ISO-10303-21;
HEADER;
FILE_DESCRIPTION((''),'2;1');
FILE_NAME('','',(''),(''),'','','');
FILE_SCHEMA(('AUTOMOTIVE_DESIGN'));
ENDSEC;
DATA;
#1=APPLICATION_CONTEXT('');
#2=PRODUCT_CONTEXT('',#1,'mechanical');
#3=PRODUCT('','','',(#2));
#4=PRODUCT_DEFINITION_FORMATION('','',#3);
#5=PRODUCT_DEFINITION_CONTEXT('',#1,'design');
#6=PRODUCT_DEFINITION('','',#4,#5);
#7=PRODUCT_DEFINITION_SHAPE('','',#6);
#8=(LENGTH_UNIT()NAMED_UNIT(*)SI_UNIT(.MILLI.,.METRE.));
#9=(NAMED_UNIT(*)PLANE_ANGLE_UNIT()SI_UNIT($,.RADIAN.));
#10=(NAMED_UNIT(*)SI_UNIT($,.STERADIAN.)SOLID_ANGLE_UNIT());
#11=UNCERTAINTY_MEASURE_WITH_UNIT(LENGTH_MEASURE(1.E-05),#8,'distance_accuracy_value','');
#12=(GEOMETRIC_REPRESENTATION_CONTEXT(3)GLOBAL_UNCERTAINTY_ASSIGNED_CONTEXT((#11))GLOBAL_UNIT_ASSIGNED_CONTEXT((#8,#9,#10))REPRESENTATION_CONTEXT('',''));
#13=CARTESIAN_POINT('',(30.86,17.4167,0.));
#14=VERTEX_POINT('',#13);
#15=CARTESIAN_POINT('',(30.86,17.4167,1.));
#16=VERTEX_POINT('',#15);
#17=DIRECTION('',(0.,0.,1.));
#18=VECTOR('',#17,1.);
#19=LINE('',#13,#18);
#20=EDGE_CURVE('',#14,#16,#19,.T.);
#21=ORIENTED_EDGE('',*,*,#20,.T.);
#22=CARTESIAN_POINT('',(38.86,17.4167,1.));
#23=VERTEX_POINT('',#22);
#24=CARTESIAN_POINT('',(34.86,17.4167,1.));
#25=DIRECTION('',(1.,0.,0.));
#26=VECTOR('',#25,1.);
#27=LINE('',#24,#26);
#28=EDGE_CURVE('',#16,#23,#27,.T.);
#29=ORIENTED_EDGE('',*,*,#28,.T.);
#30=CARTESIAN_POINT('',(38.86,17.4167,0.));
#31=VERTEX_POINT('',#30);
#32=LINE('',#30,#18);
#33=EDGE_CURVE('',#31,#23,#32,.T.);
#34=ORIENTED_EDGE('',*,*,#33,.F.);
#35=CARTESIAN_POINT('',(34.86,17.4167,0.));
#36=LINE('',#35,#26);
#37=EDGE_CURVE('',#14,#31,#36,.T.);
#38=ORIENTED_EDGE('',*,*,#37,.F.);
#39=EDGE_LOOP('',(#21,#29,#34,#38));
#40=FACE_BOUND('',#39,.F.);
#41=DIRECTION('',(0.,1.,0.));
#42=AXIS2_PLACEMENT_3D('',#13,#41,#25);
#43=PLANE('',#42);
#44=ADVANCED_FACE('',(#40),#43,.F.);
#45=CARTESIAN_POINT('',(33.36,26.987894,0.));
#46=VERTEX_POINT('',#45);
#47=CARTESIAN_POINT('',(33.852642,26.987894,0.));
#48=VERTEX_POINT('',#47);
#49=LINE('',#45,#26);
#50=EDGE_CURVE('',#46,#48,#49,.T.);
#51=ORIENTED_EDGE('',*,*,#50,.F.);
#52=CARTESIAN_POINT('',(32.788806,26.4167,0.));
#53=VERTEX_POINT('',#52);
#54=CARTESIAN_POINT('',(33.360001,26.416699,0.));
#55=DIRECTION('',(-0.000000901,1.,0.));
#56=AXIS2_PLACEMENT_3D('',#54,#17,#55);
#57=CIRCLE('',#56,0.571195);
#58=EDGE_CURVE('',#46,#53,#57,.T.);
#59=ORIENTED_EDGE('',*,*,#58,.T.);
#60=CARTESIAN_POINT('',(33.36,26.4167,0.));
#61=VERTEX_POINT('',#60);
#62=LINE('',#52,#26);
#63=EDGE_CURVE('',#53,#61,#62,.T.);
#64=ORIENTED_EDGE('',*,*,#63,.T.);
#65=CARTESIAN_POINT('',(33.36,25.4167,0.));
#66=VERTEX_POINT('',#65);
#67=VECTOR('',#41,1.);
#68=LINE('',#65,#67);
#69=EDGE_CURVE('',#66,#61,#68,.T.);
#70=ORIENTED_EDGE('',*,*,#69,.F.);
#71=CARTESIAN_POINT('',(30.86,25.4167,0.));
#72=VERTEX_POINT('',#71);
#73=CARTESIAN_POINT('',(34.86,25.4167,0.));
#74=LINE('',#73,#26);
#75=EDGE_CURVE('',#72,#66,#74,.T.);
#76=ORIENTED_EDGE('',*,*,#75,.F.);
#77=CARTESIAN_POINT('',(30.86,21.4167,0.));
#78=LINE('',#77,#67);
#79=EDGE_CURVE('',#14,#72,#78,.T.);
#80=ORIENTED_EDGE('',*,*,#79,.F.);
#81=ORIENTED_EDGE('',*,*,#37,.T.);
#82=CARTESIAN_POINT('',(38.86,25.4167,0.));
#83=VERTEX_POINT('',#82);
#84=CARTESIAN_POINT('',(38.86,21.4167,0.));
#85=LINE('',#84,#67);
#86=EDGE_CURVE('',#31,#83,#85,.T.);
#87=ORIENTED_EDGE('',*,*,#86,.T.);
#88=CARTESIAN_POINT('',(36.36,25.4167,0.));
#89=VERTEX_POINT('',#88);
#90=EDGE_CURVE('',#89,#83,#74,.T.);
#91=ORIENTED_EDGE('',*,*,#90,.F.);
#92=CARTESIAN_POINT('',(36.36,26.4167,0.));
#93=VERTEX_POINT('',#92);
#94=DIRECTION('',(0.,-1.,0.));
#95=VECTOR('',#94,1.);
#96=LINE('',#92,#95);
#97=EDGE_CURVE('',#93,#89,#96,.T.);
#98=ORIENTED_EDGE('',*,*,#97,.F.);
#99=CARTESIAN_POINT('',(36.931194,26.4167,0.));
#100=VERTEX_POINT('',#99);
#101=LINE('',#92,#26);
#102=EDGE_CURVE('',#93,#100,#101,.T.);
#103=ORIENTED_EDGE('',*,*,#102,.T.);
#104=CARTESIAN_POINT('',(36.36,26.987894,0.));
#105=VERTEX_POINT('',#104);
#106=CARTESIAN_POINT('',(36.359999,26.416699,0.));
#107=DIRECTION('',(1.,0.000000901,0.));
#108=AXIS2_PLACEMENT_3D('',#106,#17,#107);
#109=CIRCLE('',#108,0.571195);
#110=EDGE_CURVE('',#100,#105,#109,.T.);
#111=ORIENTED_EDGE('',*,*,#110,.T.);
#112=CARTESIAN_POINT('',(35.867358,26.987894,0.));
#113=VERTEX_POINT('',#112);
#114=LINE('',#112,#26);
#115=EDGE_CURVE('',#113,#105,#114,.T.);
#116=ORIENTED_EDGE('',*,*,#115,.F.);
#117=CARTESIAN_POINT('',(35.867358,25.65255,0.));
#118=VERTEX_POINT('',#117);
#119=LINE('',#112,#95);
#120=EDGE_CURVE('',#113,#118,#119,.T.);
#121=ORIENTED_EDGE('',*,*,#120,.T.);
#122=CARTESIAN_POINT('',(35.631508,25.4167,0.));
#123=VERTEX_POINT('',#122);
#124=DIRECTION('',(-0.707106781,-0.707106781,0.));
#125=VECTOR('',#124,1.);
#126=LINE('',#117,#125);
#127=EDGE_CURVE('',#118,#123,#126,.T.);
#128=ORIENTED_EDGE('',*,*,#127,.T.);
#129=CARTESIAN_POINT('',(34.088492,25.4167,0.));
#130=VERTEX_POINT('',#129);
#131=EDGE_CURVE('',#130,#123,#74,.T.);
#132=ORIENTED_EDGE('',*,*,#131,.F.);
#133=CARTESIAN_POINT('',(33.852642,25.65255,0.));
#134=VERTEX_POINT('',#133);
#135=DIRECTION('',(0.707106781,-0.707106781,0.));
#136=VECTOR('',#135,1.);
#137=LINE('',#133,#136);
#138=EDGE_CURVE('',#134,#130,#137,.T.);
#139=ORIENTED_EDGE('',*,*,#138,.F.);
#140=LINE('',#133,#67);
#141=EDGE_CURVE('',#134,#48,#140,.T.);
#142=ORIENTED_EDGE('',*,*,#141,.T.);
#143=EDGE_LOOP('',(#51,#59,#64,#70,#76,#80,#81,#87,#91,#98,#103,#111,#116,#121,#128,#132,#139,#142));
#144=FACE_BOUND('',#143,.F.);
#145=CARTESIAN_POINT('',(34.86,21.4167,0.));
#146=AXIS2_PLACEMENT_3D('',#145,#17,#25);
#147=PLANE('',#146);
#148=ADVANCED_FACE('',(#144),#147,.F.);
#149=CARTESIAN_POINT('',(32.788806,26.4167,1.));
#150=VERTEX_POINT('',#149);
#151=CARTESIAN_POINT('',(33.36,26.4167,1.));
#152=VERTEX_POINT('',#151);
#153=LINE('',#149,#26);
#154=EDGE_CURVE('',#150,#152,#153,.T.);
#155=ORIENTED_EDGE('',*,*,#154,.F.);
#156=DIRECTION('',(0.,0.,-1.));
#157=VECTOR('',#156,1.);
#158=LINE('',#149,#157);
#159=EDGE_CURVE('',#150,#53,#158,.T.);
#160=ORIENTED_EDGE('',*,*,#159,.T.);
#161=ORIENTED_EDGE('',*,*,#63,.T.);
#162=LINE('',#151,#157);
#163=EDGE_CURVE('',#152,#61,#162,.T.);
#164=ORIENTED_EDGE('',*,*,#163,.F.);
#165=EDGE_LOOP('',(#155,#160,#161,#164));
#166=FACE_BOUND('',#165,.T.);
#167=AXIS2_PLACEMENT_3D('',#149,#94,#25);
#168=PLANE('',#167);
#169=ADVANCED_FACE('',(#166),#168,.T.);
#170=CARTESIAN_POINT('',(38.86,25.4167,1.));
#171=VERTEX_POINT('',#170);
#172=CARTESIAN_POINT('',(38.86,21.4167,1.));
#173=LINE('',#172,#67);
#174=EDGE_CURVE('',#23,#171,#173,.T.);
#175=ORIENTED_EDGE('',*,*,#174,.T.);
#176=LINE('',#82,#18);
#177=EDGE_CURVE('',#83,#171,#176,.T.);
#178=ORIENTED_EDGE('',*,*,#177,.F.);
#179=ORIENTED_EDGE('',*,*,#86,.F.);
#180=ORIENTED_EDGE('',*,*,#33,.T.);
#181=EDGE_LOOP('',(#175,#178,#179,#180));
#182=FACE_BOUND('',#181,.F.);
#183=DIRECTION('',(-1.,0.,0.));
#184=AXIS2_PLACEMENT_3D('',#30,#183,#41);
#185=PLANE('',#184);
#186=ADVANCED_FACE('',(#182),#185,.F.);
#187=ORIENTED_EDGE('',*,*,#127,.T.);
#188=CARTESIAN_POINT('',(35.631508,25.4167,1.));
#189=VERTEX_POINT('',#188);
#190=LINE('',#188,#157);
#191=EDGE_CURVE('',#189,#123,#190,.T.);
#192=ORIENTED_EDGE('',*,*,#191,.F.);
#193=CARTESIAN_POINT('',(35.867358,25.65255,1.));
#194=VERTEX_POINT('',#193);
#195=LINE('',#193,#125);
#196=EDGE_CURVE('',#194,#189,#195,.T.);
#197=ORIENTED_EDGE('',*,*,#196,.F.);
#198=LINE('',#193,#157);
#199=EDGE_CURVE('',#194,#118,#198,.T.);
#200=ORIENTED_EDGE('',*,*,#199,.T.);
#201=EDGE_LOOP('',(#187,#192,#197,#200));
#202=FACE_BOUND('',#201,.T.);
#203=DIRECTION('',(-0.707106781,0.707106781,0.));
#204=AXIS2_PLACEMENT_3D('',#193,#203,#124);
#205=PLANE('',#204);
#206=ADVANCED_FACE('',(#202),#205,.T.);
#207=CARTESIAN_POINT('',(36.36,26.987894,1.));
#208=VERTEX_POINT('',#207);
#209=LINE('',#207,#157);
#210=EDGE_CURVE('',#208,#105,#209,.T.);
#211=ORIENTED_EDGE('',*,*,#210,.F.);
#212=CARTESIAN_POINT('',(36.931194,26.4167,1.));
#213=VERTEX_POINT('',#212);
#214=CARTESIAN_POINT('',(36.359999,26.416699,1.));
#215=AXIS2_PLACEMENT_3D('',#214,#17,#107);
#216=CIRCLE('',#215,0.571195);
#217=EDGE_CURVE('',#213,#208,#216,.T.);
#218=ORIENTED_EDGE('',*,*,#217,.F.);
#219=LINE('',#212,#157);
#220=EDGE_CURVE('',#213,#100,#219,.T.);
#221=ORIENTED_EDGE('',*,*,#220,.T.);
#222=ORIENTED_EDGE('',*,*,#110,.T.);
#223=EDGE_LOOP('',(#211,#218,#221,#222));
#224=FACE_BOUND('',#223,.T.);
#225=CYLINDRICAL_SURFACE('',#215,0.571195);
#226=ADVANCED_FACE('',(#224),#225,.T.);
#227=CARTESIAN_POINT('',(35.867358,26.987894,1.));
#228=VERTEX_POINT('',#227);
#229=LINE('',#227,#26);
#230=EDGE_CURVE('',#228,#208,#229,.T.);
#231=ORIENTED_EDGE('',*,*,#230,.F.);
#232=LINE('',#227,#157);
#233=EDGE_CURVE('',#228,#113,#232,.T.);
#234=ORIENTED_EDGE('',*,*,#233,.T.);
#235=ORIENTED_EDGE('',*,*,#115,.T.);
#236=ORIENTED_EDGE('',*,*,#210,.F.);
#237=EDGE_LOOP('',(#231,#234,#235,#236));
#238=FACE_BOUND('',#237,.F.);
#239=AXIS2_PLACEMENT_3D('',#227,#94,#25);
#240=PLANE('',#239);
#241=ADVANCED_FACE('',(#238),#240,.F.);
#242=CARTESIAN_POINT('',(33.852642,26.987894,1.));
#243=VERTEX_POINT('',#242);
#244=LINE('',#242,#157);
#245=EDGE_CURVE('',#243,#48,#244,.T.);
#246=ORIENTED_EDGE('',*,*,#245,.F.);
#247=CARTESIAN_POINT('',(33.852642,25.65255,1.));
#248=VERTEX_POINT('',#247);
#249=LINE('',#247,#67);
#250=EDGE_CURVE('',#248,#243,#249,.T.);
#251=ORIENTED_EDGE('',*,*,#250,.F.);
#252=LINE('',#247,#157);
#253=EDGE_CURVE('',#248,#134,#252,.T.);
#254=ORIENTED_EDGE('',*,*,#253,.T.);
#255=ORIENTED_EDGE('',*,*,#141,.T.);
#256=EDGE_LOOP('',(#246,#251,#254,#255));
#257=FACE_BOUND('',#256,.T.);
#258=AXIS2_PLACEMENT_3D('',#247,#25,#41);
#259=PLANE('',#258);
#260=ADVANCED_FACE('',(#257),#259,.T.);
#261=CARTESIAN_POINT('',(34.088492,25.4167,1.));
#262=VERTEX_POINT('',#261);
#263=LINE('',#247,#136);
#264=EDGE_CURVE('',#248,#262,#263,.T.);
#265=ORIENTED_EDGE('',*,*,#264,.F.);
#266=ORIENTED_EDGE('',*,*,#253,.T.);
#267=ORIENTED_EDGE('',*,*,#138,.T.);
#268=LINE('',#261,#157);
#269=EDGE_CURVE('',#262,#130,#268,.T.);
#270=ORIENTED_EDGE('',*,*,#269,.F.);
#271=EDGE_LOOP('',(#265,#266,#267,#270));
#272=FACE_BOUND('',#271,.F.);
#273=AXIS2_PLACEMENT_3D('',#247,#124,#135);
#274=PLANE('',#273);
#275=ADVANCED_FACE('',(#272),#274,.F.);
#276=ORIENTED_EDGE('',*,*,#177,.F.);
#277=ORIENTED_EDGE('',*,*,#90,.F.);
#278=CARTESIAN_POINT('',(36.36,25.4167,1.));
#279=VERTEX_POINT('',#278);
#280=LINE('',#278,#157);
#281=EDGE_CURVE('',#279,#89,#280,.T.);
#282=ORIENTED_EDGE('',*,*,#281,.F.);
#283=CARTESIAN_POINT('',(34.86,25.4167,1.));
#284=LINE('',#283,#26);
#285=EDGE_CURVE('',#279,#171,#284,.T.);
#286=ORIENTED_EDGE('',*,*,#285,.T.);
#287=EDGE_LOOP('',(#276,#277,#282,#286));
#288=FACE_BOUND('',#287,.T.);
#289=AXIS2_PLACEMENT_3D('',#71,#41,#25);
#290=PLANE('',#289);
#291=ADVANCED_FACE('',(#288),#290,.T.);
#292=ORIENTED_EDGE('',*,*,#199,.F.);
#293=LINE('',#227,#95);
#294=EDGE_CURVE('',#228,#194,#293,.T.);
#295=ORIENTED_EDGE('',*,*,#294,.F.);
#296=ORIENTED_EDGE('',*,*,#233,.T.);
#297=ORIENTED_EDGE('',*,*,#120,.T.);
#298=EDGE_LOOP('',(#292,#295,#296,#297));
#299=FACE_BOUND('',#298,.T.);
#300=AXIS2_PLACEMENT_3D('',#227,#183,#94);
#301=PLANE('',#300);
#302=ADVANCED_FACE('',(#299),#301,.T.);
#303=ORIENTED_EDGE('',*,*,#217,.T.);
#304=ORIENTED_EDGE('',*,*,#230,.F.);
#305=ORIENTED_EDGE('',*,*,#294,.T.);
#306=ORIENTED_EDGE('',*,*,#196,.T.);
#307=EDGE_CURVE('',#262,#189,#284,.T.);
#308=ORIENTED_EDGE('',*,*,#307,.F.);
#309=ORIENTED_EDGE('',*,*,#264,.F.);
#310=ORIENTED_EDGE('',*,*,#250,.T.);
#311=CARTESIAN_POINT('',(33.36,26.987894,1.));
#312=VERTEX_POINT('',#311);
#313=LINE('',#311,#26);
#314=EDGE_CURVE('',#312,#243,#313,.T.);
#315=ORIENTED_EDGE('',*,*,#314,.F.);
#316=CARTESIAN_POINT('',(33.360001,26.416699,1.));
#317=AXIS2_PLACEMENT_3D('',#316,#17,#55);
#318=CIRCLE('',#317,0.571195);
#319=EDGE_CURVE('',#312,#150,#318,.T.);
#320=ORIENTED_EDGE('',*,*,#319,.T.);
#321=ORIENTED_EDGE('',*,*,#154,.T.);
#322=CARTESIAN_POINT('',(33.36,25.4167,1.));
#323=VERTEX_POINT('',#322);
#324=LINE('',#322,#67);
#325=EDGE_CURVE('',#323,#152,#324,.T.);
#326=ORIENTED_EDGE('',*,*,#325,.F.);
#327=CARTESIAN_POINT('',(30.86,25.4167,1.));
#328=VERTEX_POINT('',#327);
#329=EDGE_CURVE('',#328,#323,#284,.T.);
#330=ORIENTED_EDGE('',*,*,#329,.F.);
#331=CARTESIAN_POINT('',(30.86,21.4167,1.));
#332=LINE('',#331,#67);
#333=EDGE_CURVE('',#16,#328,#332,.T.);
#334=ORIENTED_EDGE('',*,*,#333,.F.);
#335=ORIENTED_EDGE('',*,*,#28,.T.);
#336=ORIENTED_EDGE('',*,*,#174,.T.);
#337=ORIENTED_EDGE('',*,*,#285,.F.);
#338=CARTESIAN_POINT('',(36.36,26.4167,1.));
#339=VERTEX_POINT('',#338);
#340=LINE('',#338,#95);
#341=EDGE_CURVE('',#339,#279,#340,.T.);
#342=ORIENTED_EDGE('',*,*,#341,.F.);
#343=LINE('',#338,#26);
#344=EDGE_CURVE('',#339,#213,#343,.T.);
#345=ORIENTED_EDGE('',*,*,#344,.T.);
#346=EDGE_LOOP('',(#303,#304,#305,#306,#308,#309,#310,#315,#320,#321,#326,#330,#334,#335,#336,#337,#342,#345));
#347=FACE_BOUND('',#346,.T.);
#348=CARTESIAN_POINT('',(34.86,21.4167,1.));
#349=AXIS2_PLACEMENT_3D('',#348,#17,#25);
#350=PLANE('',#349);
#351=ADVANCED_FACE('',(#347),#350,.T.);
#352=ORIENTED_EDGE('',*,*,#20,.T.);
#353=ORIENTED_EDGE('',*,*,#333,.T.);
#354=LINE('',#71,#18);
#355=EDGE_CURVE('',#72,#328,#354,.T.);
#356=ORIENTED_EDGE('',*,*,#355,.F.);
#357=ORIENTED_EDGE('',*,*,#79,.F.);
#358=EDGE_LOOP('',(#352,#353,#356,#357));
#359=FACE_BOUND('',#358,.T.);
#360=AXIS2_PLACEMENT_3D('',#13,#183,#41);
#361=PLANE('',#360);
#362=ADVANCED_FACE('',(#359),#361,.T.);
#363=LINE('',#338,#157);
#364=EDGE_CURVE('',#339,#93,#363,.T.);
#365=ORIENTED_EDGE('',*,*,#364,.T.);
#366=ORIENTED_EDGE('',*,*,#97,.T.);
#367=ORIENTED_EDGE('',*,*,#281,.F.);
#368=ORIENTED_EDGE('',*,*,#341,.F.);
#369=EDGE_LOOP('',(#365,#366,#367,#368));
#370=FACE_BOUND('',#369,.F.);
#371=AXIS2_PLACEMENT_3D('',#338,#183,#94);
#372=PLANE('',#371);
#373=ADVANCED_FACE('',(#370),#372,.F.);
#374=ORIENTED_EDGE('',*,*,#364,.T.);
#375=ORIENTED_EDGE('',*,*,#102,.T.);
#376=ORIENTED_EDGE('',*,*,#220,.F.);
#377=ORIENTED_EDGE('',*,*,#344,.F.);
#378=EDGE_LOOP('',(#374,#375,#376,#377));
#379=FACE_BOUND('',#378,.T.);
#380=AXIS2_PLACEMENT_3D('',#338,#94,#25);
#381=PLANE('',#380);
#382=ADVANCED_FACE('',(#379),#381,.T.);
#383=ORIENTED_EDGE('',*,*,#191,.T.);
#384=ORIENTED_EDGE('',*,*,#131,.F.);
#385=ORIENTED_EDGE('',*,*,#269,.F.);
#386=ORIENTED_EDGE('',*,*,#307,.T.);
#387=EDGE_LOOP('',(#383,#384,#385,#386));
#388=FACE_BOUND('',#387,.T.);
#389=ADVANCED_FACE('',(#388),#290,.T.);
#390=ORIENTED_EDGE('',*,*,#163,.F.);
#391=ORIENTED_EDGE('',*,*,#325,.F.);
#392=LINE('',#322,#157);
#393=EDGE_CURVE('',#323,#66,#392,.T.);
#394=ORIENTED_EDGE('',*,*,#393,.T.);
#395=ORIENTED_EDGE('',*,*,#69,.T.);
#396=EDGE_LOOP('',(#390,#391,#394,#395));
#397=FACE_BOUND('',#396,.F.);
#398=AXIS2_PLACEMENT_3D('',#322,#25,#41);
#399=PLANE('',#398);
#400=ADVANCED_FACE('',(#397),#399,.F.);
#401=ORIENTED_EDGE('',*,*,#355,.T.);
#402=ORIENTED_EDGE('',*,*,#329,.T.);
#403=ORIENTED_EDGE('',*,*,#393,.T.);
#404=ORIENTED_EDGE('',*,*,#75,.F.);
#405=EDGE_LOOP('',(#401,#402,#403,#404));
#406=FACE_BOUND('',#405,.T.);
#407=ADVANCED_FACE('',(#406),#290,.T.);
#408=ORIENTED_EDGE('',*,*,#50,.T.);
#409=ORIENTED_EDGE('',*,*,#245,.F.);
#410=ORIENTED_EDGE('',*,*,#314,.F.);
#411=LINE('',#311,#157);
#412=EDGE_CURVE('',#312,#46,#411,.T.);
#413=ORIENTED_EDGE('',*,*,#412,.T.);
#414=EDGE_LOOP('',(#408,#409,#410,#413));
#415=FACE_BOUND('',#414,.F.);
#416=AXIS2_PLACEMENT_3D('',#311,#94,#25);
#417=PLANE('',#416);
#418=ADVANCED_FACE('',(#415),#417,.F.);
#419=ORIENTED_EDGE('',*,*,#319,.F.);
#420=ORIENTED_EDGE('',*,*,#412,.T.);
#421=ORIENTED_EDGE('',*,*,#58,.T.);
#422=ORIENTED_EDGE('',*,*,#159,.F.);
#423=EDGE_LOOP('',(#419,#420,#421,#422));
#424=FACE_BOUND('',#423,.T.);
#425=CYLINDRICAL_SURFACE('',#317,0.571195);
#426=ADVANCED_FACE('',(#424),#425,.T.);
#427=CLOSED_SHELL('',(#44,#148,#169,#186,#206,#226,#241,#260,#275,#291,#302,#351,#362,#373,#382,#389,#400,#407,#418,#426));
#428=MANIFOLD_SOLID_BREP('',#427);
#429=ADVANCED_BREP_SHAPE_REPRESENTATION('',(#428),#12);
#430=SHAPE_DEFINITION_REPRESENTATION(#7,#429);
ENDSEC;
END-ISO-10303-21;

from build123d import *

# Parameters (mm, degrees)
EXTRUDE007_DEPTH = 1
BOX003_W         = 8
BOX003_H         = 8
BOX003_DEPTH     = 1


with BuildPart() as snapsnapextrude:
    # Sketch006 (on Face6 of Box003) → Extrude007 (new body)
    with BuildSketch(Plane(origin=(30.86, 17.4167, 1), x_dir=(1, 0, 0), z_dir=(0, 0, 1))):
        with BuildLine():
            Line((5.5, 9), (5.5, 8))
            Line((4.771508, 8), (5.5, 8))
            Line((5.007358, 8.23585), (4.771508, 8))
            Line((5.007358, 9.571194), (5.007358, 8.23585))
            Line((5.007358, 9.571194), (5.5, 9.571194))
            ThreePointArc((6.071194, 9), (5.903895, 9.403895), (5.5, 9.571194))
            Line((5.5, 9), (6.071194, 9))
        make_face()
        with BuildLine():
            Line((2.5, 8), (2.5, 9))
            Line((1.928806, 9), (2.5, 9))
            ThreePointArc((2.5, 9.571194), (2.096105, 9.403895), (1.928806, 9))
            Line((2.5, 9.571194), (2.992642, 9.571194))
            Line((2.992642, 8.23585), (2.992642, 9.571194))
            Line((2.992642, 8.23585), (3.228492, 8))
            Line((2.5, 8), (3.228492, 8))
        make_face()
    extrude(amount=-EXTRUDE007_DEPTH)


with BuildPart() as snapsnap:
    # Box003 → Box003 (new body)
    with BuildSketch(Plane(origin=(30.86, 17.4167, 0), x_dir=(1, 0, 0), z_dir=(0, 0, 1))):
        with Locations((4, 4)):
            Rectangle(BOX003_W, BOX003_H)
    extrude(amount=BOX003_DEPTH)

    # Fusion: union snapSnapExtrude
    add(snapsnapextrude.part)


solid = snapsnap.part
